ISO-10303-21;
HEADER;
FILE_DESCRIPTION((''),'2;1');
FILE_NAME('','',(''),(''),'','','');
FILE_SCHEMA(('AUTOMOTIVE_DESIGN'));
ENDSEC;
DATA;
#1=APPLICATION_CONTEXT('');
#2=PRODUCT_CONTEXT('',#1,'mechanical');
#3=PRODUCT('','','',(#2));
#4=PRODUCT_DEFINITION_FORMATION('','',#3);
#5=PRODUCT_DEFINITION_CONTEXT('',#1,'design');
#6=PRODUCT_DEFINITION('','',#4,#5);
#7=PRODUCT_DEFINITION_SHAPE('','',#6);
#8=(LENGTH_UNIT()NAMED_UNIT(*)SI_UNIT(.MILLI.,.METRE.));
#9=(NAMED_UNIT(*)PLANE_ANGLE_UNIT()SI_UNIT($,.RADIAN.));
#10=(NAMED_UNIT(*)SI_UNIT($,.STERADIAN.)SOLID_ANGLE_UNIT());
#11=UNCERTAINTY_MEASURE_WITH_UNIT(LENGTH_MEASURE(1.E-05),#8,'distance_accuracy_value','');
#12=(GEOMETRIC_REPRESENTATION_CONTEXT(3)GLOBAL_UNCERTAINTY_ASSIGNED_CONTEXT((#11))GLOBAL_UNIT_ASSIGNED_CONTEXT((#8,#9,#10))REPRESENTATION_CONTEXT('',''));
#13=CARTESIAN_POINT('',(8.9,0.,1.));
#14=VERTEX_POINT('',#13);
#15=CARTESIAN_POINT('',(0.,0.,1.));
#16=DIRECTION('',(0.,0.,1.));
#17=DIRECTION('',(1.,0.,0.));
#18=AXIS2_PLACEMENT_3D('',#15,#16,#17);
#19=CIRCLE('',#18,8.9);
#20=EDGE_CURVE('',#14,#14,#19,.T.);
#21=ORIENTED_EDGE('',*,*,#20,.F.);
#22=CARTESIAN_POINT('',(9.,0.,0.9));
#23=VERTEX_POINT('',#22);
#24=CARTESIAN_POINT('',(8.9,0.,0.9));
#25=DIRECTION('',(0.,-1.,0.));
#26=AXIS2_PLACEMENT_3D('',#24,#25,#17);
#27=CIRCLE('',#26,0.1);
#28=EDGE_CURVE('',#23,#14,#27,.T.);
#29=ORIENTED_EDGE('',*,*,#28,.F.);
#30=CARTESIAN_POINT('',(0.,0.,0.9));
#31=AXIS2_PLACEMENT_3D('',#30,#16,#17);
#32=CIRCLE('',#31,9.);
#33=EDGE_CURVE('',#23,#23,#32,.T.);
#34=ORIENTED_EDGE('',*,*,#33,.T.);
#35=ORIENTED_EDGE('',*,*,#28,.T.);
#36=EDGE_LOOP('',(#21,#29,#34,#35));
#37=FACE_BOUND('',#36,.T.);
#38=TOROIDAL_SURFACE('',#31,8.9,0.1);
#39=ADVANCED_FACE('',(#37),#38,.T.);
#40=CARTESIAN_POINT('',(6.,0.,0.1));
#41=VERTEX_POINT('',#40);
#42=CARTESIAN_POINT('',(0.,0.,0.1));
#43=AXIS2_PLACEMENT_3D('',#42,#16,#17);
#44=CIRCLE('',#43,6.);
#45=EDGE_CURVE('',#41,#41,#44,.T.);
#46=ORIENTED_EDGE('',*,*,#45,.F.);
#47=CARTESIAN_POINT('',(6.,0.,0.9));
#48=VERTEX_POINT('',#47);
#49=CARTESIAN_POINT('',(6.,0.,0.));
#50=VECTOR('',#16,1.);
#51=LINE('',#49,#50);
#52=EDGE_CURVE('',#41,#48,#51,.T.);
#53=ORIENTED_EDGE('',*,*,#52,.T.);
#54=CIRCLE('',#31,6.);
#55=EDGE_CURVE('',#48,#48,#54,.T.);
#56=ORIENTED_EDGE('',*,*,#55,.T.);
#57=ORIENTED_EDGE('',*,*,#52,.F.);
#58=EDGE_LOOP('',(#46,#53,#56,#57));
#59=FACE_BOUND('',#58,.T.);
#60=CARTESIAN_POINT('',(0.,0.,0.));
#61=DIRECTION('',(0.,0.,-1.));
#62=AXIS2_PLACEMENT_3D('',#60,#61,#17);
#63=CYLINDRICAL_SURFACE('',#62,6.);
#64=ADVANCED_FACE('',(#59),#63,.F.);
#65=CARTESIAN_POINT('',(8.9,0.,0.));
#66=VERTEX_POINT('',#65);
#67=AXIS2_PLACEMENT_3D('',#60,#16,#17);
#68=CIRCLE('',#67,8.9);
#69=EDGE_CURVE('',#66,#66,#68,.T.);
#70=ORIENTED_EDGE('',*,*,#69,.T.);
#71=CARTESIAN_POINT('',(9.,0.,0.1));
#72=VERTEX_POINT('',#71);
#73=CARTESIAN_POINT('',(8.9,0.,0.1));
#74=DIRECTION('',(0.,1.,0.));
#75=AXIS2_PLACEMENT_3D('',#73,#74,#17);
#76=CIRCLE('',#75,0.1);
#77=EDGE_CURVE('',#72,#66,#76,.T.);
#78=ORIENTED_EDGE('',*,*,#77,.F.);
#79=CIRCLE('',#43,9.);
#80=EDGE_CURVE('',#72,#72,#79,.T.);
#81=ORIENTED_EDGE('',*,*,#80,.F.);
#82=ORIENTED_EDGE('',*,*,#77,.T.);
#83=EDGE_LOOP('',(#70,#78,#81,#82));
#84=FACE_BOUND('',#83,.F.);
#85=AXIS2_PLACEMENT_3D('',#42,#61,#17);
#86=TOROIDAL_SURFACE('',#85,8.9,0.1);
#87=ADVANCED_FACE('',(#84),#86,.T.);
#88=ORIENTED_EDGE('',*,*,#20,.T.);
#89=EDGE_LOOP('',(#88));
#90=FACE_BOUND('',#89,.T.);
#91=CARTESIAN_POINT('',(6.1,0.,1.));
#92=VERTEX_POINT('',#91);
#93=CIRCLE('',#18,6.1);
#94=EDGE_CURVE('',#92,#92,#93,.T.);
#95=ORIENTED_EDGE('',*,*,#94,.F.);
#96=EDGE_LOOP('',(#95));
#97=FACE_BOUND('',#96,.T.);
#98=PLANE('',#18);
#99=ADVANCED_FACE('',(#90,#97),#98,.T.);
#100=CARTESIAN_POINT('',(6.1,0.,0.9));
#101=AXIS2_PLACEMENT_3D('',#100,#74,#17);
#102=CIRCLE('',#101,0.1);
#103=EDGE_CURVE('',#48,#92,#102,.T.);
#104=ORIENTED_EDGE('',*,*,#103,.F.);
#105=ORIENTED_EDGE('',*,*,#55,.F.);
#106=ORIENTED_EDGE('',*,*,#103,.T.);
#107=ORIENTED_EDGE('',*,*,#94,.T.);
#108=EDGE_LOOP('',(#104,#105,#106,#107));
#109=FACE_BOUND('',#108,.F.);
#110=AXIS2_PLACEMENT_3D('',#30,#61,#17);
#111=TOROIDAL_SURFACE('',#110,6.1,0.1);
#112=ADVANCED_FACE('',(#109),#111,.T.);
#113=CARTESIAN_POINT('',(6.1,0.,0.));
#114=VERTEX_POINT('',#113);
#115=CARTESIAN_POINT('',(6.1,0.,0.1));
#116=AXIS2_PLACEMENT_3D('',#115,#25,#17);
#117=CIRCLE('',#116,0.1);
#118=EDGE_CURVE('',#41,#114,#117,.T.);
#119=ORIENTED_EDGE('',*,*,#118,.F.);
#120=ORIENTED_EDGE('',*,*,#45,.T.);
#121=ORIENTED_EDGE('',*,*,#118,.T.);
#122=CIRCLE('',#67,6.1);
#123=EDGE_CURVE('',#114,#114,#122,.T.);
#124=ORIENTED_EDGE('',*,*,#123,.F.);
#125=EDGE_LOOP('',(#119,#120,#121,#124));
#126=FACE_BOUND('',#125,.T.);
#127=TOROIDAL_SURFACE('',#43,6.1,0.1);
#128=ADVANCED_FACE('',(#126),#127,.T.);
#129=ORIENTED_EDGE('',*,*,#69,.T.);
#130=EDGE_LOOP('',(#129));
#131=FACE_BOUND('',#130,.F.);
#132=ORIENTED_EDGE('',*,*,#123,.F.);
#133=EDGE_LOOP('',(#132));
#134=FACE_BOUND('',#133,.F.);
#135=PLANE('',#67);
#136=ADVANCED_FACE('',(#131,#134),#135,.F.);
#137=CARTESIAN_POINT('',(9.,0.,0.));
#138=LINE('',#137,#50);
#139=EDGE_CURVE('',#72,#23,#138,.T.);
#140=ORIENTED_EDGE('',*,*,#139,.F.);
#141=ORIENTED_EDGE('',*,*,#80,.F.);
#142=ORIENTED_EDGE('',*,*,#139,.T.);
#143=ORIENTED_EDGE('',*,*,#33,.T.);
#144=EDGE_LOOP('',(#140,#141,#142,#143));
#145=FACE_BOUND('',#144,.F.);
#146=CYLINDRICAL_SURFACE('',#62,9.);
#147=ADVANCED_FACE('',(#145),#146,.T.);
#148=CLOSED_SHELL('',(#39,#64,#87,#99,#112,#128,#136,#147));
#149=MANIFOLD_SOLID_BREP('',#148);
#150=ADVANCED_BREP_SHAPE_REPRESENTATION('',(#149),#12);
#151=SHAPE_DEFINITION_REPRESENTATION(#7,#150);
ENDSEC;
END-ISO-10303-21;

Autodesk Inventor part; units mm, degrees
ref_plane "YZ Plane" through (0, 0, 0) normal (1, 0, 0) x (0, 1, 0)
ref_plane "XZ Plane" through (0, 0, 0) normal (0, 1, 0) x (-1, 0, 0)
ref_plane "XY Plane" through (0, 0, 0) normal (0, 0, 1) x (1, 0, 0)
sketch "Sketch1" plane through (0, 0, 0) normal (0, 0, 1) x (1, 0, 0)
  circle A0 centre (0, 0) radius 6
  circle A1 centre (0, 0) radius 9
  dimension "d0" = 12
  dimension "d1" = 18
extrude "Extrusion1" add sketch "Sketch1" along normal blind 1
fillet "Fillet1" radius 0.1 4 edges at (-6, 0, 1) (-9, 0, 1) (-9, 0, 0) (-6, 0, 0)
properties part number "Bearings - Shields" material "Rubber, Nitrile"
